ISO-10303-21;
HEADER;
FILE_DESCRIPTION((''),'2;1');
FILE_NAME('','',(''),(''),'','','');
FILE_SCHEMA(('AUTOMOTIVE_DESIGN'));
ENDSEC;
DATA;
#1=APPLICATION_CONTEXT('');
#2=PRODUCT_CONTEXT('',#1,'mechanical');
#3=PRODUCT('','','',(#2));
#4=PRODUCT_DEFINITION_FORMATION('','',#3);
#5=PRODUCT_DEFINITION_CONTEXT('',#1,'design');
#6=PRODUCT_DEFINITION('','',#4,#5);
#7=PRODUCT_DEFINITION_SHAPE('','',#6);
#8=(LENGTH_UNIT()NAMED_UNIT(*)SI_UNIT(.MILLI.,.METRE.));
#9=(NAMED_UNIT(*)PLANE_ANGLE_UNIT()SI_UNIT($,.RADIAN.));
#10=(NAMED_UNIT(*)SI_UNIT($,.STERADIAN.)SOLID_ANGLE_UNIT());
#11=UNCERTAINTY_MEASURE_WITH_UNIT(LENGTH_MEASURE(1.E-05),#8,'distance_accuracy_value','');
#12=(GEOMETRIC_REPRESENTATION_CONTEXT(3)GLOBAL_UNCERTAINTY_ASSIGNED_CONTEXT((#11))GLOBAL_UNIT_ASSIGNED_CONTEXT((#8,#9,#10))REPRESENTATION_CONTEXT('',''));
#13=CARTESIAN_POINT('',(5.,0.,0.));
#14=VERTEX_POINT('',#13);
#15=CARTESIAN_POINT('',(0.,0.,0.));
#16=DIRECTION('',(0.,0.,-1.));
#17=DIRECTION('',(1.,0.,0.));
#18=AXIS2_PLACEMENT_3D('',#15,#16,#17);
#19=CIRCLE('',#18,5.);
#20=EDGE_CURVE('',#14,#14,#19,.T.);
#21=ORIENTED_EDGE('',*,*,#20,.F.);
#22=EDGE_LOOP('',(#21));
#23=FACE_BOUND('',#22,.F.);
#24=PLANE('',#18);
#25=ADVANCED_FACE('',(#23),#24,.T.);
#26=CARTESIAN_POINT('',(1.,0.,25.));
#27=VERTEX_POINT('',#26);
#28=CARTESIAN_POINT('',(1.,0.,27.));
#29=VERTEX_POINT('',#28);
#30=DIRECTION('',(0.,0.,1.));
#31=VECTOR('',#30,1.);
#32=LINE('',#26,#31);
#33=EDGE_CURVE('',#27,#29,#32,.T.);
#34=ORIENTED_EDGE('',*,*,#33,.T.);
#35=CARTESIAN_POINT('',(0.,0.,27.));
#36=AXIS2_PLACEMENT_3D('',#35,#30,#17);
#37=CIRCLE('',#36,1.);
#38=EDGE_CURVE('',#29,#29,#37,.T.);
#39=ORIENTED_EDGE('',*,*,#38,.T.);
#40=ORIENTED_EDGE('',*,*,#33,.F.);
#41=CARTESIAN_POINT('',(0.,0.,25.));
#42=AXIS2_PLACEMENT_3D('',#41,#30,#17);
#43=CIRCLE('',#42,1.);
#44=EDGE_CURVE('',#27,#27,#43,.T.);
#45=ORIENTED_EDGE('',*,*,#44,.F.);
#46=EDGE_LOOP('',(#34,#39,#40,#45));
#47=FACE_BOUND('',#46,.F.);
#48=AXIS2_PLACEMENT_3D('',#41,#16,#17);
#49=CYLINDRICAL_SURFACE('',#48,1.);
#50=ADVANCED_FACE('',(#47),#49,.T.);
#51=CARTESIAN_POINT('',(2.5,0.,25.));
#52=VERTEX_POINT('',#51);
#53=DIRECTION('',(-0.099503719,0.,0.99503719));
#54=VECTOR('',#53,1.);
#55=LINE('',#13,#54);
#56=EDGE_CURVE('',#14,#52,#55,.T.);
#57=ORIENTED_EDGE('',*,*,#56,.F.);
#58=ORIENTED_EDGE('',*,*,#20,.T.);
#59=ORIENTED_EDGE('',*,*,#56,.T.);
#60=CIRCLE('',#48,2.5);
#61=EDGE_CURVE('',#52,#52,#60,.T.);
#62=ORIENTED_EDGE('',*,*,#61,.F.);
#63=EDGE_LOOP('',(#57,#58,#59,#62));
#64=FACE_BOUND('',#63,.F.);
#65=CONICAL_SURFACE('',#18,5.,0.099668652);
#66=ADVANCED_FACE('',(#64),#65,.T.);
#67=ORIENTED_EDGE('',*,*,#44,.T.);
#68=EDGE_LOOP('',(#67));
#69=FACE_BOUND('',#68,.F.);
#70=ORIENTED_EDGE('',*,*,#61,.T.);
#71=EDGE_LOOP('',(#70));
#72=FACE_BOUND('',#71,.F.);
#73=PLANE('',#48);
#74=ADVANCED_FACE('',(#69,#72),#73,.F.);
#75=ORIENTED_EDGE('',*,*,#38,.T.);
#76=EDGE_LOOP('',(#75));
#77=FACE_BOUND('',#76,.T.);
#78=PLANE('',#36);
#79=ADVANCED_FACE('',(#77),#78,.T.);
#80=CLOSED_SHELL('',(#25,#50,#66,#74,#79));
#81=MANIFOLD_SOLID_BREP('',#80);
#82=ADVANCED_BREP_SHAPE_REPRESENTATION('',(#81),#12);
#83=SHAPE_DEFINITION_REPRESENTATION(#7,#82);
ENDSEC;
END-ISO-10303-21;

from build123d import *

# Parameters (mm, degrees)
F2_R     = 1
F3_DEPTH = 2


with BuildPart() as f1:
    # F0 (on Front) → F1 (revolve)
    with BuildSketch(Plane.XZ):
        Polygon((0, 25), (0, 0), (5, 0), (2.5, 25), align=None)
    revolve(axis=Axis((0, 0, 12.5), (0, 0, -1)))

    # F2 (on face) → F3 (join)
    with BuildSketch(Plane.XY.offset(25)):
        Circle(F2_R)
    extrude(amount=F3_DEPTH)


solid = f1.part
